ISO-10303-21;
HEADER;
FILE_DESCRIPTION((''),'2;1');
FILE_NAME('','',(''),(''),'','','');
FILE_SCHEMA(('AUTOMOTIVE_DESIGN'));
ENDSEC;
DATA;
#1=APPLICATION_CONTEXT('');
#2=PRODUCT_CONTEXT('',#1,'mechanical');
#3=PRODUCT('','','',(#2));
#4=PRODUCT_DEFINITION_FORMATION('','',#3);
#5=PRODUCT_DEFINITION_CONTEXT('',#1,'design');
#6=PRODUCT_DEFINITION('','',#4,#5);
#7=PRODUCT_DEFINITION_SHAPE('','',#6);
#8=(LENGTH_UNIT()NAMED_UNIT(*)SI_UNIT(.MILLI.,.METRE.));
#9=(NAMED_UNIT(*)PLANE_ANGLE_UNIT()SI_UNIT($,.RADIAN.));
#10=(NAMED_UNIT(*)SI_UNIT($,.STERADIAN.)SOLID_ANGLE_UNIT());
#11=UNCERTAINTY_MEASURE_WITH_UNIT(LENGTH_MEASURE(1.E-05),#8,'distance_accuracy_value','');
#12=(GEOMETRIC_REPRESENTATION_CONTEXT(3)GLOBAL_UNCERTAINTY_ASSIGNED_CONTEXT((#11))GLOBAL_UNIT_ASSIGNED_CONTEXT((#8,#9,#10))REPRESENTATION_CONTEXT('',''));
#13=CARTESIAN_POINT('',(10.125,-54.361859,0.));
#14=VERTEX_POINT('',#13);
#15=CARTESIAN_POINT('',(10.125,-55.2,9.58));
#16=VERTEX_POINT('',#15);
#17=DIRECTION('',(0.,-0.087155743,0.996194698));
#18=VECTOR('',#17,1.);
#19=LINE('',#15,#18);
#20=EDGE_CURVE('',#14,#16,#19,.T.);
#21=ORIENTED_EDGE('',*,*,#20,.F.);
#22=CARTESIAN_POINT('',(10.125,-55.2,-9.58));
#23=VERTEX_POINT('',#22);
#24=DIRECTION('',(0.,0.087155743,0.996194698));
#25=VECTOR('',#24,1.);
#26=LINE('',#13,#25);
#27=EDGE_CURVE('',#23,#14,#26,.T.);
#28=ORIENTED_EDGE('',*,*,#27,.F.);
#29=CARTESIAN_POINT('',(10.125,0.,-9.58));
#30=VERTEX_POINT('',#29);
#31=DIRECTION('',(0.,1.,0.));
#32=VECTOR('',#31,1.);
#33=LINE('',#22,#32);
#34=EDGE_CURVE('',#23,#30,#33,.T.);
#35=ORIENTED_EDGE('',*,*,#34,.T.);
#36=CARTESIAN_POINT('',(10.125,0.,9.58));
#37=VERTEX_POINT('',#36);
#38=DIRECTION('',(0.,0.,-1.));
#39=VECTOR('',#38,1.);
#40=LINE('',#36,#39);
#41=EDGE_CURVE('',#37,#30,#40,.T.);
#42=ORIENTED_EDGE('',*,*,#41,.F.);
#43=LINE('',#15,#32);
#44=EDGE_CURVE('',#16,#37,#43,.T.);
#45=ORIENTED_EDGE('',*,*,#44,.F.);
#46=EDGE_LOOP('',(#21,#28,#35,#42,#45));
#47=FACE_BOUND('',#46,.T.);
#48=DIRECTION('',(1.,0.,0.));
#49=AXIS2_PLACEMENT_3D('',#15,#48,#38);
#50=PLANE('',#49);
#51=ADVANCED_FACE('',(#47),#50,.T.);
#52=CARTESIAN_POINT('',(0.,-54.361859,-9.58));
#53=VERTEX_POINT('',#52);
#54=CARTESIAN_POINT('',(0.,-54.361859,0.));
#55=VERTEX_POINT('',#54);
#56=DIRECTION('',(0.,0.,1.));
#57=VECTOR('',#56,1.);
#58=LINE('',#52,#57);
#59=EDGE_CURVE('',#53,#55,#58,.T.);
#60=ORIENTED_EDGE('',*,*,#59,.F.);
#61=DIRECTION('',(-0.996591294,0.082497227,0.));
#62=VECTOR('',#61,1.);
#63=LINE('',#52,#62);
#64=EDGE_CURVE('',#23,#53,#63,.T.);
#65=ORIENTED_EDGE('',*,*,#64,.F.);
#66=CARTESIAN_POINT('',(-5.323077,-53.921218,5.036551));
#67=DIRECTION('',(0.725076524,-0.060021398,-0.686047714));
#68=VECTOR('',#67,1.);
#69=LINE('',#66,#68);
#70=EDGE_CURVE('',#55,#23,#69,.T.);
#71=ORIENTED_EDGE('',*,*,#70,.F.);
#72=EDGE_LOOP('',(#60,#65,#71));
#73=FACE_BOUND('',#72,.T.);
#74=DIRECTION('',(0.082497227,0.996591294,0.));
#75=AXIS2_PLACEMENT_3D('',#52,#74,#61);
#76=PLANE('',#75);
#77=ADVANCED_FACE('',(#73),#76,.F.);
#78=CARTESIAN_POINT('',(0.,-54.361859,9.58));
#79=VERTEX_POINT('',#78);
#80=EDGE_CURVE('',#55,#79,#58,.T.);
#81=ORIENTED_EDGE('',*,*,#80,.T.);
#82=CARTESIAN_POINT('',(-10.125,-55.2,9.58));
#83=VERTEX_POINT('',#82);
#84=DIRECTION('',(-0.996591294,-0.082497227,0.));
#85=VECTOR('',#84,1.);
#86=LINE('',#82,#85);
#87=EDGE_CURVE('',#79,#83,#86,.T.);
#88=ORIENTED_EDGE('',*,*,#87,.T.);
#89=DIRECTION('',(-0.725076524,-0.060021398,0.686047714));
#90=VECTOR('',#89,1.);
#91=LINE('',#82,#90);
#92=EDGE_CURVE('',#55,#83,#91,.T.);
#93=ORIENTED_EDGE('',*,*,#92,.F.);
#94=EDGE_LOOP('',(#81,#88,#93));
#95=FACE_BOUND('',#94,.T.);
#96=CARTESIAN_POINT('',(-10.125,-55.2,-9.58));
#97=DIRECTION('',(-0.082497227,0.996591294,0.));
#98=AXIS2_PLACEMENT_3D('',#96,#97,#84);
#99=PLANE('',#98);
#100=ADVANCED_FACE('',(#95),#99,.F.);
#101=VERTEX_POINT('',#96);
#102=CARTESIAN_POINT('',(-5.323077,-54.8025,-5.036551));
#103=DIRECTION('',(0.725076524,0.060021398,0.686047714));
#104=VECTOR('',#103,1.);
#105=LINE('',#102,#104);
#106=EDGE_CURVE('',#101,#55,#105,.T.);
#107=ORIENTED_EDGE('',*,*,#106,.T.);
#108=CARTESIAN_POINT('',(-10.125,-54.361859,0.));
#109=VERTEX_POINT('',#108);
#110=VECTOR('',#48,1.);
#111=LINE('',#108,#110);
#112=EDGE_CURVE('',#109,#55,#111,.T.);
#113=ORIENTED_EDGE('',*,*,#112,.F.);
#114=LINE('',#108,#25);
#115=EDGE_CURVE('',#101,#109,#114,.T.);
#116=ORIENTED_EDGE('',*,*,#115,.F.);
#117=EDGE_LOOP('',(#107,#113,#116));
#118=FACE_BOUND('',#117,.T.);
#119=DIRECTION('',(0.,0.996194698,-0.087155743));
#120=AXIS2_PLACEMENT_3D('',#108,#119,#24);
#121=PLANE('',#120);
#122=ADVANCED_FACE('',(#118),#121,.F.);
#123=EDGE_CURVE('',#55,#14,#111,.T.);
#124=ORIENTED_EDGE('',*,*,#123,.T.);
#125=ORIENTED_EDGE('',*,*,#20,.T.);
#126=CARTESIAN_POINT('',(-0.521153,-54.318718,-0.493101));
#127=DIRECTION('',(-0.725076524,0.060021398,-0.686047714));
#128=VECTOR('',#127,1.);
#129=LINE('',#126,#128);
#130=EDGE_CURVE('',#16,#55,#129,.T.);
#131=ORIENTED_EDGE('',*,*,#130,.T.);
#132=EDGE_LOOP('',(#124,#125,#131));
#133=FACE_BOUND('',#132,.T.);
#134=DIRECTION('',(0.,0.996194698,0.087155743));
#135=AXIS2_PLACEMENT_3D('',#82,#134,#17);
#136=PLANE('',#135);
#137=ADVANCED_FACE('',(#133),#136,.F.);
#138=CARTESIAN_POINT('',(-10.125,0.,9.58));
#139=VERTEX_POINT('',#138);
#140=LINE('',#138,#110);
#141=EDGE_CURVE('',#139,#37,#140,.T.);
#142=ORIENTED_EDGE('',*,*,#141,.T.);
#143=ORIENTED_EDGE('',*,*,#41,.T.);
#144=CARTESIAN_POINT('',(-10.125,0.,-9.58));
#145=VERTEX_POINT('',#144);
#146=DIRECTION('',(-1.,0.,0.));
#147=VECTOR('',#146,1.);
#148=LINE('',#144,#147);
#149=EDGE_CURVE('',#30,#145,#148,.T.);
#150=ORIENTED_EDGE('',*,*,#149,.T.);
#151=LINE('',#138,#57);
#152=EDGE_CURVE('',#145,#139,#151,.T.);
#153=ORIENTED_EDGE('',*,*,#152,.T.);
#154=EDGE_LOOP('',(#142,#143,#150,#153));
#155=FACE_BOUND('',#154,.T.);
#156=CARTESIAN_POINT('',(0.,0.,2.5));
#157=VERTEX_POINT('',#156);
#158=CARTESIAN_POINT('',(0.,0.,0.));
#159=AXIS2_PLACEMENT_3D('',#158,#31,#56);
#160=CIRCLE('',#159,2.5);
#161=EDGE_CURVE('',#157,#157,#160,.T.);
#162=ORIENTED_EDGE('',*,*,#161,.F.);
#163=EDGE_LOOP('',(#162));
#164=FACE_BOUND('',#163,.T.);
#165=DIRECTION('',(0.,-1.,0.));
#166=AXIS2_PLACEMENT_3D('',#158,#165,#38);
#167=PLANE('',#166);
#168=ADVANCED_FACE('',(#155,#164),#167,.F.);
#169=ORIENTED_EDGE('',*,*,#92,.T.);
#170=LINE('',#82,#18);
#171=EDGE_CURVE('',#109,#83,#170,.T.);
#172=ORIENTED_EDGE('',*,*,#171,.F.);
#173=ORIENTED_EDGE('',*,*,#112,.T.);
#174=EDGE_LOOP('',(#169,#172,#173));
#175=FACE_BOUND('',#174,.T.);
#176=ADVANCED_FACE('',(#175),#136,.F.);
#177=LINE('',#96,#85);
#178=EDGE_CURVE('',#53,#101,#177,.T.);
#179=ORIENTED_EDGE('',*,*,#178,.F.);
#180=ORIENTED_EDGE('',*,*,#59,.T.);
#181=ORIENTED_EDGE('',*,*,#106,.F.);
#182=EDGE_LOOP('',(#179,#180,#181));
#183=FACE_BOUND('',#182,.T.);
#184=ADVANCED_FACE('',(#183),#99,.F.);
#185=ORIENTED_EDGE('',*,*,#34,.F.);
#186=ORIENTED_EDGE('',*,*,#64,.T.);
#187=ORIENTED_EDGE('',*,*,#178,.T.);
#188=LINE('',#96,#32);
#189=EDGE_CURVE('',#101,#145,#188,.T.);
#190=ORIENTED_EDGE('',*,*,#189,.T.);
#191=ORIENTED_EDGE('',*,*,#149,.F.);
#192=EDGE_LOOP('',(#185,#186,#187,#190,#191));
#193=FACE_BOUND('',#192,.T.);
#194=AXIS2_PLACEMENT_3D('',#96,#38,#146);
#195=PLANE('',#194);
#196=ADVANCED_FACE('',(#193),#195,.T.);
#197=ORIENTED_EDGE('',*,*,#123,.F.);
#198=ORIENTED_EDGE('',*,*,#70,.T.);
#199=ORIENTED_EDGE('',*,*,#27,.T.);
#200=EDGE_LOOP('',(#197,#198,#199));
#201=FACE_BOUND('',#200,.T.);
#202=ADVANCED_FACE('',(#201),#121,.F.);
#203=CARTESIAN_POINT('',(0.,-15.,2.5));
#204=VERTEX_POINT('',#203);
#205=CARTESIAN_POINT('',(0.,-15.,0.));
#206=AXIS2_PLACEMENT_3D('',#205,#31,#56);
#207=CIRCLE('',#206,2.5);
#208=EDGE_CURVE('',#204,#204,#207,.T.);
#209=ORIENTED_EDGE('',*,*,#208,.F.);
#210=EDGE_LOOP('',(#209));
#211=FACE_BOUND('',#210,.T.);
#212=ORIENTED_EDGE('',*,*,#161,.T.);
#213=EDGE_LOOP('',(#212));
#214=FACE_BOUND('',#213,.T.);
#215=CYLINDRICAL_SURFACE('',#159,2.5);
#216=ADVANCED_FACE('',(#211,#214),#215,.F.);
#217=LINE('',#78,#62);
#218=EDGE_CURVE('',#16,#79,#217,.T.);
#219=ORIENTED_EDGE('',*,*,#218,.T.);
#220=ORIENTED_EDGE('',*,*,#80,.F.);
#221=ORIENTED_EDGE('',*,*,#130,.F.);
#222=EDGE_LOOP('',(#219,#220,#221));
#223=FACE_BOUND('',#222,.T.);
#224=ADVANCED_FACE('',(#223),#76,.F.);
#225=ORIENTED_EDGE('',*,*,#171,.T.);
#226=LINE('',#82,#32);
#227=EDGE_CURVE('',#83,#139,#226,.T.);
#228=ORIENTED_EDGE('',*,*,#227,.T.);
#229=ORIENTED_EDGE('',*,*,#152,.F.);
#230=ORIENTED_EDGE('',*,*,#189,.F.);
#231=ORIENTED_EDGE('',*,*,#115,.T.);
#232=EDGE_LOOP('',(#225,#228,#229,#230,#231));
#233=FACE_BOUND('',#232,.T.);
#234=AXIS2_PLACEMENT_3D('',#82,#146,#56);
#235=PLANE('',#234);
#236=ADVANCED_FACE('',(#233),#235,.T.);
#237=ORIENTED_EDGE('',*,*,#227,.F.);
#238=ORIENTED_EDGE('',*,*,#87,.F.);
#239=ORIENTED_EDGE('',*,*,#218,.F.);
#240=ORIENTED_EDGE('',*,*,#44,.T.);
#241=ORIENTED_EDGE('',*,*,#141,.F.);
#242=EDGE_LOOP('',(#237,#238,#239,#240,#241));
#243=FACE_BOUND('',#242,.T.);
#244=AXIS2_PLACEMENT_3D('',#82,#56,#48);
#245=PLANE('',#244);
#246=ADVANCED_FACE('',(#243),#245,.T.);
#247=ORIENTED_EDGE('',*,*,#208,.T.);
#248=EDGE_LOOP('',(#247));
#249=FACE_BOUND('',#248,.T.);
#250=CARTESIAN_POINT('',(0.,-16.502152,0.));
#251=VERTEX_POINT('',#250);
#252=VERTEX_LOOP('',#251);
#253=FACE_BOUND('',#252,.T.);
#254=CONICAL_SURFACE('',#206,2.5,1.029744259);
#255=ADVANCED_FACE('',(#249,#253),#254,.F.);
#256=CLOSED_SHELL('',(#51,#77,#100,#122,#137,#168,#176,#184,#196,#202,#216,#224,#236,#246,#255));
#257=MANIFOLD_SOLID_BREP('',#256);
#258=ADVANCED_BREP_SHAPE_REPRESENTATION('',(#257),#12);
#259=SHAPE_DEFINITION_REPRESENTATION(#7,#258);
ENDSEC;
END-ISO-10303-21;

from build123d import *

# Parameters (mm, degrees)
SKETCH1_W             = 20.25
SKETCH1_H             = 19.16
BOSS_EXTRUDE1_DEPTH   = 55.2
CUT_EXTRUDE2_DEPTH    = 60.572467634
CUT_EXTRUDE3_DEPTH    = 60.301443701
M6_TAPPED_HOLE1_D     = 5
M6_TAPPED_HOLE1_DEPTH = 15
M6_TAPPED_HOLE1_TIP   = 1.502151548


with BuildPart() as part:
    # Sketch1 → Boss-Extrude1 (new body)
    with BuildSketch(Plane(origin=(0, 0, 0), x_dir=(1, 0, 0), z_dir=(0, 1, 0))):
        Rectangle(SKETCH1_W, SKETCH1_H)
    extrude(amount=-BOSS_EXTRUDE1_DEPTH)

    # Sketch5 → Cut-Extrude2 (cut, through all)
    with BuildSketch(Plane(origin=(10.125, 0, 0), x_dir=(0, 0, -1), z_dir=(1, 0, 0))):
        Polygon((-9.58, -55.2), (0, -54.361858603), (9.58, -55.2), align=None)
    extrude(amount=-CUT_EXTRUDE2_DEPTH, mode=Mode.SUBTRACT)

    # Sketch6 → Cut-Extrude3 (cut, through all)
    with BuildSketch(Plane.XY.offset(9.58)):
        Polygon((-10.125, -55.2), (0, -54.361858603), (10.125, -55.2), align=None)
    extrude(amount=-CUT_EXTRUDE3_DEPTH, mode=Mode.SUBTRACT)

    # M6 Tapped Hole1
    with Locations(Plane(origin=(0, 0, 0), x_dir=(1, 0, 0), z_dir=(0, 1, 0))):
        with Locations((0, 0)):
            Hole(M6_TAPPED_HOLE1_D / 2, depth=M6_TAPPED_HOLE1_DEPTH)
            with Locations((0, 0, -(M6_TAPPED_HOLE1_DEPTH + M6_TAPPED_HOLE1_TIP / 2))):  # 118° drill point
                Cone(0, M6_TAPPED_HOLE1_D / 2, M6_TAPPED_HOLE1_TIP, mode=Mode.SUBTRACT)


solid = part.part
